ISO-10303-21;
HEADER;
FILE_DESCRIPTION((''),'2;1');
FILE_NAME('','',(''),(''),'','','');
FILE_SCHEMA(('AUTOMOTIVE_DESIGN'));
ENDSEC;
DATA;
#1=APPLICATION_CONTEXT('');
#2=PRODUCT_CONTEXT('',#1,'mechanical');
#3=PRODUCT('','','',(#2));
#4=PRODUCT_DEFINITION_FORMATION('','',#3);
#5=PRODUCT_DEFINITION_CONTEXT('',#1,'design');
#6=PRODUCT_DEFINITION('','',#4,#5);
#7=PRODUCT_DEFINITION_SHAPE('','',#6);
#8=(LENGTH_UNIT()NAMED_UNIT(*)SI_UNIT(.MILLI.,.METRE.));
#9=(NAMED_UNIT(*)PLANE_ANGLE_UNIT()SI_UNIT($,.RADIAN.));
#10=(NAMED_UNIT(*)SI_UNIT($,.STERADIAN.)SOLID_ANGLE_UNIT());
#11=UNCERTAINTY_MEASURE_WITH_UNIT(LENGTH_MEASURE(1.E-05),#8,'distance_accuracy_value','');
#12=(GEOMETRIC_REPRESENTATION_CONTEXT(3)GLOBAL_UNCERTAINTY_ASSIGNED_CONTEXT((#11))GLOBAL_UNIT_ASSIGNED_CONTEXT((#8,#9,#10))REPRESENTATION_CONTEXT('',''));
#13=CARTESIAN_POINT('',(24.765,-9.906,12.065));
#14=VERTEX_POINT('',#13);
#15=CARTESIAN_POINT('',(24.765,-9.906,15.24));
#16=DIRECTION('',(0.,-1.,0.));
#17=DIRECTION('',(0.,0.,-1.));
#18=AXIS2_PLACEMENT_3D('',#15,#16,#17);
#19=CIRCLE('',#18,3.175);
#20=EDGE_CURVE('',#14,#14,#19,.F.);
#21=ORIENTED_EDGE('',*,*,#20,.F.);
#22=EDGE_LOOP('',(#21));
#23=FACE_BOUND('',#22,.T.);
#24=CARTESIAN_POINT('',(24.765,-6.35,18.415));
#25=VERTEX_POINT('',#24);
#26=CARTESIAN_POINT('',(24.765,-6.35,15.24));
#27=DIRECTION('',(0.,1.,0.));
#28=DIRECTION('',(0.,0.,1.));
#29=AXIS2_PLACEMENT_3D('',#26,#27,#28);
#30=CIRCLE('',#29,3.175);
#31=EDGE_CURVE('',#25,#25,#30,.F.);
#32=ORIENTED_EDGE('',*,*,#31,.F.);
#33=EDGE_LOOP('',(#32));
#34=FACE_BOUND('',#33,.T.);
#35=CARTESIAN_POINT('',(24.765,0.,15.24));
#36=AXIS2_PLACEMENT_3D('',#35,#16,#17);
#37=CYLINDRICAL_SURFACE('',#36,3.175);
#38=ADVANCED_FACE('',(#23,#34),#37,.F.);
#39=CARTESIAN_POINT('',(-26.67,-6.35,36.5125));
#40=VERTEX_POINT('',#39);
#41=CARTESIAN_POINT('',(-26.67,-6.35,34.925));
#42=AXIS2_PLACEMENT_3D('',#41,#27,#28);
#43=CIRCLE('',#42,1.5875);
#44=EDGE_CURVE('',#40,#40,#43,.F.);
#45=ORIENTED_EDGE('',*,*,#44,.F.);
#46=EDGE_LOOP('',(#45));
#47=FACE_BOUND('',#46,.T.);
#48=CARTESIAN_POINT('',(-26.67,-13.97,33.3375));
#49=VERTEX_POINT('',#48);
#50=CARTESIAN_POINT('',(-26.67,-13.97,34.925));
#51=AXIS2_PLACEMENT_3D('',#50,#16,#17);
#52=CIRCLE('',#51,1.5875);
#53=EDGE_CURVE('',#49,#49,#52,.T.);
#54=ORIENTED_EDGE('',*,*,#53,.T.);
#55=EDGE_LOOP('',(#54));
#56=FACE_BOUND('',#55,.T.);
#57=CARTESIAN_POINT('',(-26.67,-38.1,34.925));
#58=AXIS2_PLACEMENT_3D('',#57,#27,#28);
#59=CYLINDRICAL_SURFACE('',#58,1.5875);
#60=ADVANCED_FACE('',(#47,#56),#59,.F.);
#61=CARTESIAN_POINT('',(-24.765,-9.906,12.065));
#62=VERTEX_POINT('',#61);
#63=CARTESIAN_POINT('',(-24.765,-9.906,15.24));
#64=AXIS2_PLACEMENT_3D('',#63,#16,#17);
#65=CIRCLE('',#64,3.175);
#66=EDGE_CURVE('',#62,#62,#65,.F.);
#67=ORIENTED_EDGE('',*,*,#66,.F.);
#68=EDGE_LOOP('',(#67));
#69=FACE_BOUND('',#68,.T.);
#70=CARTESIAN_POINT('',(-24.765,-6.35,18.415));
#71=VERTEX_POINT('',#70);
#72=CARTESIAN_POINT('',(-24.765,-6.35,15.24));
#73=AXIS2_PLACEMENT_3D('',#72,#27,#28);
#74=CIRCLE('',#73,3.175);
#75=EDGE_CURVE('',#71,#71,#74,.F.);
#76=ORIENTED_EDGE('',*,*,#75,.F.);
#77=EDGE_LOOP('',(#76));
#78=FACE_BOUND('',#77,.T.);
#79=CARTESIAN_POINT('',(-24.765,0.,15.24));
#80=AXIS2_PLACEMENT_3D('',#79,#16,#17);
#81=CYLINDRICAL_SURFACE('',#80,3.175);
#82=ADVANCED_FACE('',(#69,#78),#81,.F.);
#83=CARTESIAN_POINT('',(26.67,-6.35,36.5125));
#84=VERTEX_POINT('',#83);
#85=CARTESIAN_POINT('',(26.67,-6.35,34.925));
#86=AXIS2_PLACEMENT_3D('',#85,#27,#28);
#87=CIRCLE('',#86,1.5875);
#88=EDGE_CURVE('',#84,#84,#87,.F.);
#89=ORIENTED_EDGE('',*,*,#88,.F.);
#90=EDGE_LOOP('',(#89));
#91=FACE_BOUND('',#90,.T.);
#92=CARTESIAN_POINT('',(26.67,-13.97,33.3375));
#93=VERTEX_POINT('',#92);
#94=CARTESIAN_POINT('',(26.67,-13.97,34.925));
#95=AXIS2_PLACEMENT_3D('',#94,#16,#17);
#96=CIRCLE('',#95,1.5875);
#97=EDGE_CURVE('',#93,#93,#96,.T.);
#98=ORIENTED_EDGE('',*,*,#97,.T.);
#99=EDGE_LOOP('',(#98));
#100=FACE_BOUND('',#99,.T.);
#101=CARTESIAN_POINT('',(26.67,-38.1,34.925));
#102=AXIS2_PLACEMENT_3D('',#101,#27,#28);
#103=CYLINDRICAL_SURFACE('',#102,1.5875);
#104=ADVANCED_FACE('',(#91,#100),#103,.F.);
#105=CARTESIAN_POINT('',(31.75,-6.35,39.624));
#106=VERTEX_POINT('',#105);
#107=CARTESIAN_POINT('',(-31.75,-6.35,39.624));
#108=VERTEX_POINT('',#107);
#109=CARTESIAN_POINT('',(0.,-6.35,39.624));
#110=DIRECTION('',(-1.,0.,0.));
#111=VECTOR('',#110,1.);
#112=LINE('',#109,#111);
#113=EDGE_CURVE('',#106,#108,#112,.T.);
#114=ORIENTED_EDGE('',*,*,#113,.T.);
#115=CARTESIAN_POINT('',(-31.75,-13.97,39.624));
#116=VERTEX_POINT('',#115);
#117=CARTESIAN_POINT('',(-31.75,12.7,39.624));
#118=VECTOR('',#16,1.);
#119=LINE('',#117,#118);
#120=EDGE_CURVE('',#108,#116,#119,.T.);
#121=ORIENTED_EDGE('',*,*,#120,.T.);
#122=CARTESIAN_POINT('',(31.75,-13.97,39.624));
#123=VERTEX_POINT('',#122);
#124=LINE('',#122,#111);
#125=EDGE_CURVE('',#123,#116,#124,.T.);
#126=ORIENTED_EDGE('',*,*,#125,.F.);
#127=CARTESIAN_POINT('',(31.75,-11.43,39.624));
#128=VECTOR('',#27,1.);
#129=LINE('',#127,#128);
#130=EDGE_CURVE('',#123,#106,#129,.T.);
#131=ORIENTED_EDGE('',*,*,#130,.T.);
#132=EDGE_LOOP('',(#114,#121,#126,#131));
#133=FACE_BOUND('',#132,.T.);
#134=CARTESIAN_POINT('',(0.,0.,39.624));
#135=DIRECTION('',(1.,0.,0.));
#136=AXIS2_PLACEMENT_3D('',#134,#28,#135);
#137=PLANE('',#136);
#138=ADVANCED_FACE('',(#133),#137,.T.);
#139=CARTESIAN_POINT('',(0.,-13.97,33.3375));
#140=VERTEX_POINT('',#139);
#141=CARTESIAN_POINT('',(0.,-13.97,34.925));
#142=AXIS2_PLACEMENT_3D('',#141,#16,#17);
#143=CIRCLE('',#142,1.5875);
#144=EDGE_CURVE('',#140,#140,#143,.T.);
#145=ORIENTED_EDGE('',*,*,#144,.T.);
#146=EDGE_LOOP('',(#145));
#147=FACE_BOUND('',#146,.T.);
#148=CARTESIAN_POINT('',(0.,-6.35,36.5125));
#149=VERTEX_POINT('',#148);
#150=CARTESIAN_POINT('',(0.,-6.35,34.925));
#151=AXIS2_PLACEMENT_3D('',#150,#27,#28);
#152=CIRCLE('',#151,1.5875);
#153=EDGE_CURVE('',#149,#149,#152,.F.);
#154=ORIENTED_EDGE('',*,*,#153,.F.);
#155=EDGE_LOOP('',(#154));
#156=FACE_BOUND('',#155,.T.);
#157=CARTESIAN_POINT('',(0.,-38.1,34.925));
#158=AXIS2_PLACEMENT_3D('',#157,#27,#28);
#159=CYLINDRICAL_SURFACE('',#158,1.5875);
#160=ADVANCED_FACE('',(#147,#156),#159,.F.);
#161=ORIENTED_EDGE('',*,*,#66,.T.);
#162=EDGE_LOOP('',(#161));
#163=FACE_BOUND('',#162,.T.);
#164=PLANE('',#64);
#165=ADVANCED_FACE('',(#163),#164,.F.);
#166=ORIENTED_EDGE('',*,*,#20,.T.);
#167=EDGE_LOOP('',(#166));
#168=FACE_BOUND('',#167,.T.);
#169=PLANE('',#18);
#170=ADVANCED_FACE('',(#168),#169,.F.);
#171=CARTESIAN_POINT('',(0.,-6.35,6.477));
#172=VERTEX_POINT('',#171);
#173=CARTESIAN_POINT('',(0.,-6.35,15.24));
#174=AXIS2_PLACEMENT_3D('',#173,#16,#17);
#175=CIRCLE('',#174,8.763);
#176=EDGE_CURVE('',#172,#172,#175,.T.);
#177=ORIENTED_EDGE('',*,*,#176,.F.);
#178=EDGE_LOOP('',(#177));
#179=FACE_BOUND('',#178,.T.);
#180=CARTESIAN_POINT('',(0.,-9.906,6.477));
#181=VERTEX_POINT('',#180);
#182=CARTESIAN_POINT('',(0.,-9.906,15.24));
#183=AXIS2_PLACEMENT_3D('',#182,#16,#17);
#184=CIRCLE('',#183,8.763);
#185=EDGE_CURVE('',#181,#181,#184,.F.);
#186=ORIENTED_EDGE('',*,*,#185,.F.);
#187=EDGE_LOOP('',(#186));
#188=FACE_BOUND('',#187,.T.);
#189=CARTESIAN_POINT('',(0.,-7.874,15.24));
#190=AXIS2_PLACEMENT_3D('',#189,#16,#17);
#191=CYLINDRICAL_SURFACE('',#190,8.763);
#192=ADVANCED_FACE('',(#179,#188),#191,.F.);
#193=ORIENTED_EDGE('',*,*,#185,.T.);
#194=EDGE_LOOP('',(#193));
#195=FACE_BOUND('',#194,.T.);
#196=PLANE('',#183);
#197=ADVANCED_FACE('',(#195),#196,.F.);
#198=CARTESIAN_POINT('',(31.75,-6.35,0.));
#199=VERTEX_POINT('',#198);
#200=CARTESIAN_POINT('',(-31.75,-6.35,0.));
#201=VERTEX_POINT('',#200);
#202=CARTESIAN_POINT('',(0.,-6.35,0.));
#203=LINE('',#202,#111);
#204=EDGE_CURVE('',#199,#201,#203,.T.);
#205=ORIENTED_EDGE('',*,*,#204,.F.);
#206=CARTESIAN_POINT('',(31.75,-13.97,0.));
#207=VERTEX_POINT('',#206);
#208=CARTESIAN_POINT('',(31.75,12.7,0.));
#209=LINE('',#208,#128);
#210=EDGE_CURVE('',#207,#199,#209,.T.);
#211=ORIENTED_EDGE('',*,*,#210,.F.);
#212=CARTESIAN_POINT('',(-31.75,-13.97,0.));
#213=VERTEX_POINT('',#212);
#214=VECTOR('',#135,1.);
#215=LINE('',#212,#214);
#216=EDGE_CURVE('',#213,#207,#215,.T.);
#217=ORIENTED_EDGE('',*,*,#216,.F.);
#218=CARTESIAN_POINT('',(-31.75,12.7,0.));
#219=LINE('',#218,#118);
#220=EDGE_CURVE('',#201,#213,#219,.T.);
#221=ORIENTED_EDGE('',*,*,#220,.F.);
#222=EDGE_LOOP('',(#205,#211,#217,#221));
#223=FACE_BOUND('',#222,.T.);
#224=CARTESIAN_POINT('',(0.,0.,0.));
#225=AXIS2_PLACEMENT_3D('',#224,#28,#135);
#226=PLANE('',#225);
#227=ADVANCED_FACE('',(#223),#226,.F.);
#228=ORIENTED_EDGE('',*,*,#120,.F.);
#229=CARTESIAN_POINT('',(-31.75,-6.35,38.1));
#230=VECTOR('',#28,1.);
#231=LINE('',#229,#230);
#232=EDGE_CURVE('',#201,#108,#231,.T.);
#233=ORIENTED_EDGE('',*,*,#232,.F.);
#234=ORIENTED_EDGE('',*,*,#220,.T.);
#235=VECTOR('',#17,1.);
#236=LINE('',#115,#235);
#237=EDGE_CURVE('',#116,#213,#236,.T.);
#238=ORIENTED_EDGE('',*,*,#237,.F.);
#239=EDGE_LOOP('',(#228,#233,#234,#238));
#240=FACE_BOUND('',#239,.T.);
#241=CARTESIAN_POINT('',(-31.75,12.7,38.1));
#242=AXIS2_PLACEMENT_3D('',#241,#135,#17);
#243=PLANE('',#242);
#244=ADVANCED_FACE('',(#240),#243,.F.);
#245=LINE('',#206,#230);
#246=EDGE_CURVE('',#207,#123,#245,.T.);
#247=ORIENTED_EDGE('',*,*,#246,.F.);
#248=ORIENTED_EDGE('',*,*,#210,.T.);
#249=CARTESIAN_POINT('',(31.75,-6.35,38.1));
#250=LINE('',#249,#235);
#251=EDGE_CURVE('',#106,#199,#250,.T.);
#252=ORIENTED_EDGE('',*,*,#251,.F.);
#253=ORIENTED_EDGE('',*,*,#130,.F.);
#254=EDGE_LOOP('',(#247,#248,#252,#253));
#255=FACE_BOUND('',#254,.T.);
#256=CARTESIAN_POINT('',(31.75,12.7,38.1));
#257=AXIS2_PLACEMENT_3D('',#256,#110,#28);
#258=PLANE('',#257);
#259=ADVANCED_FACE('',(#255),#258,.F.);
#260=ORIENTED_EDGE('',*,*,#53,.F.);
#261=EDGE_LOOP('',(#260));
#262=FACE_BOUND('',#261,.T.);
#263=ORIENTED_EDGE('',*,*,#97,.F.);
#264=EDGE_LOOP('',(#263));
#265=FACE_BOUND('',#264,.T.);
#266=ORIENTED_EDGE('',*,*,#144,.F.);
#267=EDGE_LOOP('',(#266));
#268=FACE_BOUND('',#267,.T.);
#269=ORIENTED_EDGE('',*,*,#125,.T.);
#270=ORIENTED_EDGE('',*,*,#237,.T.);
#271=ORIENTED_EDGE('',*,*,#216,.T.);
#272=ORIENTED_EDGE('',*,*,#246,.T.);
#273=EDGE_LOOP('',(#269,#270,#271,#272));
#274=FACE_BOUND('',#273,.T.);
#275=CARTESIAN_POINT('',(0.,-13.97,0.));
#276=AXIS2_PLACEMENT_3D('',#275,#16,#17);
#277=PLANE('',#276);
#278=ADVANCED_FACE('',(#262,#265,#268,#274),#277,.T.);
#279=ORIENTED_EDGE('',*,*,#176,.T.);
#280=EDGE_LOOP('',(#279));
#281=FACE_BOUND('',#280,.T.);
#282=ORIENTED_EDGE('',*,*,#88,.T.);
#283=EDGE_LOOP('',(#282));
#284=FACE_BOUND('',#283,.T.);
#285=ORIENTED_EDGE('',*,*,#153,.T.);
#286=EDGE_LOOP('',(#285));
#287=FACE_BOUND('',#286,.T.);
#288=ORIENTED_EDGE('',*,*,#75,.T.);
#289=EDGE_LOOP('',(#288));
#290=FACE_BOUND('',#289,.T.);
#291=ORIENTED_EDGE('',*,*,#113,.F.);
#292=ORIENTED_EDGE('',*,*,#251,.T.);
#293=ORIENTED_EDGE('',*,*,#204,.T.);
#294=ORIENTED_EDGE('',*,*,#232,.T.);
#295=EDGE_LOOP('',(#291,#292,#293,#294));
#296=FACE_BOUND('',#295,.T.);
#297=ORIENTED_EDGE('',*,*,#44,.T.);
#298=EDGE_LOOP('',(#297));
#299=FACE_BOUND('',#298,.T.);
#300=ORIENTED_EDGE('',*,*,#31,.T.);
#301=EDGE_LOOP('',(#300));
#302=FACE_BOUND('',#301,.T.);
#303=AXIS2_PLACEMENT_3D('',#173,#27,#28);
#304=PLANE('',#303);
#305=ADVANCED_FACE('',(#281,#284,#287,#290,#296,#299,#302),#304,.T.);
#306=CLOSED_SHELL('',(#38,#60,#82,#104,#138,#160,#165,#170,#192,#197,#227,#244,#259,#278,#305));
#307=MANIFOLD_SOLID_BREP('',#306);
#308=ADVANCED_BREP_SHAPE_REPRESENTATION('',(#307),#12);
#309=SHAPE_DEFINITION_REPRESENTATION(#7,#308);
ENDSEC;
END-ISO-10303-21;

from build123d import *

# Parameters (mm, degrees)
SKETCH1_W           = 63.5
SKETCH1_H           = 25.4
BOSS_EXTRUDE1_DEPTH = 38.1
SKETCH2_R           = 3.175
CUT_EXTRUDE1_DEPTH  = 12.7
SKETCH2_3_R         = 8.763
CUT_EXTRUDE2_DEPTH  = 4.826
CUT_EXTRUDE3_START  = -20.574
SKETCH3_R           = 6.35
CUT_EXTRUDE3_DEPTH  = 20.574
SKETCH4_R           = 10.795
CUT_EXTRUDE4_DEPTH  = 19.05
SKETCH5_R           = 1.5875
CUT_EXTRUDE5_DEPTH  = 50.8
SKETCH6_W           = 63.5
SKETCH6_H           = 1.27
CUT_EXTRUDE6_DEPTH  = 38.1
SKETCH7_W           = 63.5
SKETCH7_H           = 24.13
BOSS_EXTRUDE2_DEPTH = 1.524
SKETCH8_W           = 95.143419866
SKETCH8_H           = 69.172862942
CUT_EXTRUDE7_DEPTH  = 55.231230633
SKETCH9_W           = 63.5
SKETCH9_H           = 39.624
SKETCH9_R           = 1.5875
SKETCH9_R_2         = 3.175
SKETCH9_R_3         = 8.763
BOSS_EXTRUDE3_DEPTH = 2.54
SKETCH10_R          = 8.763
SKETCH10_R_2        = 6.35
CUT_EXTRUDE9_DEPTH  = 52.343824127
SKETCH11_R          = 8.763
SKETCH11_R_2        = 3.175
BOSS_EXTRUDE5_DEPTH = 4.064


with BuildPart() as part:
    # Sketch1 → Boss-Extrude1 (new body)
    with BuildSketch(Plane.XY):
        Rectangle(SKETCH1_W, SKETCH1_H)
    extrude(amount=BOSS_EXTRUDE1_DEPTH)

    # Sketch2 → Cut-Extrude1 (cut)
    with BuildSketch(Plane.XZ.offset(12.7)):
        with Locations(Location((-24.765, 15.24, 0), (0, 0, 270))):
            Circle(SKETCH2_R)
        with Locations(Location((24.765, 15.24, 0), (0, 0, 270))):
            Circle(SKETCH2_R)
    extrude(amount=-CUT_EXTRUDE1_DEPTH, mode=Mode.SUBTRACT)

    # Sketch2<3> → Cut-Extrude2 (cut)
    with BuildSketch(Plane.XZ.offset(12.7)):
        with Locations(Location((0, 15.24, 0), (0, 0, 270))):
            Circle(SKETCH2_3_R)
    extrude(amount=-CUT_EXTRUDE2_DEPTH, mode=Mode.SUBTRACT)

    # Sketch3 → Cut-Extrude3 (cut)
    with BuildSketch(Plane.XZ.offset(7.874).offset(CUT_EXTRUDE3_START)):
        with Locations(Location((0, 15.24, 0), (0, 0, 270))):
            Circle(SKETCH3_R)
    extrude(amount=CUT_EXTRUDE3_DEPTH, mode=Mode.SUBTRACT)

    # Sketch4 → Cut-Extrude4 (cut)
    with BuildSketch(Plane(origin=(0, 12.7, 0), x_dir=(1, 0, 0), z_dir=(0, 1, 0))):
        with Locations(Location((0, -15.24, 0), (0, 0, 270))):
            Circle(SKETCH4_R)
    extrude(amount=-CUT_EXTRUDE4_DEPTH, mode=Mode.SUBTRACT)

    # Sketch5 → Cut-Extrude5 (cut)
    with BuildSketch(Plane(origin=(0, 12.7, 0), x_dir=(1, 0, 0), z_dir=(0, 1, 0))):
        with Locations(Location((-26.67, -34.925, 0), (0, 0, 270))):
            Circle(SKETCH5_R)
        with Locations(Location((0, -34.925, 0), (0, 0, 270))):
            Circle(SKETCH5_R)
        with Locations(Location((26.67, -34.925, 0), (0, 0, 270))):
            Circle(SKETCH5_R)
    extrude(amount=-CUT_EXTRUDE5_DEPTH, mode=Mode.SUBTRACT)

    # Sketch6 → Cut-Extrude6 (cut)
    with BuildSketch(Plane.XY.offset(38.1)):
        with Locations((0, -12.065)):
            Rectangle(SKETCH6_W, SKETCH6_H)
    extrude(amount=-CUT_EXTRUDE6_DEPTH, mode=Mode.SUBTRACT)

    # Sketch7 → Boss-Extrude2 (add)
    with BuildSketch(Plane.XY.offset(38.1)):
        with Locations((0, 0.635)):
            Rectangle(SKETCH7_W, SKETCH7_H)
    extrude(amount=BOSS_EXTRUDE2_DEPTH)

    # Sketch8 → Cut-Extrude7 (cut, through all)
    with BuildSketch(Plane(origin=(0, -6.35, 0), x_dir=(1, 0, 0), z_dir=(0, 1, 0))):
        with Locations((5.084942731, -21.829519101)):
            Rectangle(SKETCH8_W, SKETCH8_H)
    extrude(amount=CUT_EXTRUDE7_DEPTH, mode=Mode.SUBTRACT)

    # Sketch9 → Boss-Extrude3 (add)
    with BuildSketch(Plane.XZ.offset(11.43)):
        with Locations((0, 19.812)):
            Rectangle(SKETCH9_W, SKETCH9_H)
        with Locations(Location((26.67, 34.925, 0), (0, 0, 90))):
            Circle(SKETCH9_R, mode=Mode.SUBTRACT)
        with Locations(Location((0, 34.925, 0), (0, 0, 90))):
            Circle(SKETCH9_R, mode=Mode.SUBTRACT)
        with Locations(Location((-26.67, 34.925, 0), (0, 0, 90))):
            Circle(SKETCH9_R, mode=Mode.SUBTRACT)
        with Locations(Location((-24.765, 15.24, 0), (0, 0, 270))):
            Circle(SKETCH9_R_2, mode=Mode.SUBTRACT)
        with Locations(Location((0, 15.24, 0), (0, 0, 270))):
            Circle(SKETCH9_R_3, mode=Mode.SUBTRACT)
        with Locations(Location((24.765, 15.24, 0), (0, 0, 270))):
            Circle(SKETCH9_R_2, mode=Mode.SUBTRACT)
    extrude(amount=BOSS_EXTRUDE3_DEPTH)

    # Sketch10 → Cut-Extrude9 (cut, through all)
    with BuildSketch(Plane.XZ.offset(13.97)):
        with Locations(Location((0, 15.24, 0), (0, 0, 270))):
            Circle(SKETCH10_R)
        with Locations((0, 15.24)):
            Circle(SKETCH10_R_2, mode=Mode.SUBTRACT)
    extrude(amount=-CUT_EXTRUDE9_DEPTH, mode=Mode.SUBTRACT)

    # Sketch11 → Boss-Extrude5 (add)
    with BuildSketch(Plane.XZ.offset(13.97)):
        with Locations(Location((0, 15.24, 0), (0, 0, 270))):
            Circle(SKETCH11_R)
        with Locations(Location((24.765, 15.24, 0), (0, 0, 270))):
            Circle(SKETCH11_R_2)
        with Locations(Location((-24.765, 15.24, 0), (0, 0, 270))):
            Circle(SKETCH11_R_2)
    extrude(amount=-BOSS_EXTRUDE5_DEPTH)


solid = part.part
